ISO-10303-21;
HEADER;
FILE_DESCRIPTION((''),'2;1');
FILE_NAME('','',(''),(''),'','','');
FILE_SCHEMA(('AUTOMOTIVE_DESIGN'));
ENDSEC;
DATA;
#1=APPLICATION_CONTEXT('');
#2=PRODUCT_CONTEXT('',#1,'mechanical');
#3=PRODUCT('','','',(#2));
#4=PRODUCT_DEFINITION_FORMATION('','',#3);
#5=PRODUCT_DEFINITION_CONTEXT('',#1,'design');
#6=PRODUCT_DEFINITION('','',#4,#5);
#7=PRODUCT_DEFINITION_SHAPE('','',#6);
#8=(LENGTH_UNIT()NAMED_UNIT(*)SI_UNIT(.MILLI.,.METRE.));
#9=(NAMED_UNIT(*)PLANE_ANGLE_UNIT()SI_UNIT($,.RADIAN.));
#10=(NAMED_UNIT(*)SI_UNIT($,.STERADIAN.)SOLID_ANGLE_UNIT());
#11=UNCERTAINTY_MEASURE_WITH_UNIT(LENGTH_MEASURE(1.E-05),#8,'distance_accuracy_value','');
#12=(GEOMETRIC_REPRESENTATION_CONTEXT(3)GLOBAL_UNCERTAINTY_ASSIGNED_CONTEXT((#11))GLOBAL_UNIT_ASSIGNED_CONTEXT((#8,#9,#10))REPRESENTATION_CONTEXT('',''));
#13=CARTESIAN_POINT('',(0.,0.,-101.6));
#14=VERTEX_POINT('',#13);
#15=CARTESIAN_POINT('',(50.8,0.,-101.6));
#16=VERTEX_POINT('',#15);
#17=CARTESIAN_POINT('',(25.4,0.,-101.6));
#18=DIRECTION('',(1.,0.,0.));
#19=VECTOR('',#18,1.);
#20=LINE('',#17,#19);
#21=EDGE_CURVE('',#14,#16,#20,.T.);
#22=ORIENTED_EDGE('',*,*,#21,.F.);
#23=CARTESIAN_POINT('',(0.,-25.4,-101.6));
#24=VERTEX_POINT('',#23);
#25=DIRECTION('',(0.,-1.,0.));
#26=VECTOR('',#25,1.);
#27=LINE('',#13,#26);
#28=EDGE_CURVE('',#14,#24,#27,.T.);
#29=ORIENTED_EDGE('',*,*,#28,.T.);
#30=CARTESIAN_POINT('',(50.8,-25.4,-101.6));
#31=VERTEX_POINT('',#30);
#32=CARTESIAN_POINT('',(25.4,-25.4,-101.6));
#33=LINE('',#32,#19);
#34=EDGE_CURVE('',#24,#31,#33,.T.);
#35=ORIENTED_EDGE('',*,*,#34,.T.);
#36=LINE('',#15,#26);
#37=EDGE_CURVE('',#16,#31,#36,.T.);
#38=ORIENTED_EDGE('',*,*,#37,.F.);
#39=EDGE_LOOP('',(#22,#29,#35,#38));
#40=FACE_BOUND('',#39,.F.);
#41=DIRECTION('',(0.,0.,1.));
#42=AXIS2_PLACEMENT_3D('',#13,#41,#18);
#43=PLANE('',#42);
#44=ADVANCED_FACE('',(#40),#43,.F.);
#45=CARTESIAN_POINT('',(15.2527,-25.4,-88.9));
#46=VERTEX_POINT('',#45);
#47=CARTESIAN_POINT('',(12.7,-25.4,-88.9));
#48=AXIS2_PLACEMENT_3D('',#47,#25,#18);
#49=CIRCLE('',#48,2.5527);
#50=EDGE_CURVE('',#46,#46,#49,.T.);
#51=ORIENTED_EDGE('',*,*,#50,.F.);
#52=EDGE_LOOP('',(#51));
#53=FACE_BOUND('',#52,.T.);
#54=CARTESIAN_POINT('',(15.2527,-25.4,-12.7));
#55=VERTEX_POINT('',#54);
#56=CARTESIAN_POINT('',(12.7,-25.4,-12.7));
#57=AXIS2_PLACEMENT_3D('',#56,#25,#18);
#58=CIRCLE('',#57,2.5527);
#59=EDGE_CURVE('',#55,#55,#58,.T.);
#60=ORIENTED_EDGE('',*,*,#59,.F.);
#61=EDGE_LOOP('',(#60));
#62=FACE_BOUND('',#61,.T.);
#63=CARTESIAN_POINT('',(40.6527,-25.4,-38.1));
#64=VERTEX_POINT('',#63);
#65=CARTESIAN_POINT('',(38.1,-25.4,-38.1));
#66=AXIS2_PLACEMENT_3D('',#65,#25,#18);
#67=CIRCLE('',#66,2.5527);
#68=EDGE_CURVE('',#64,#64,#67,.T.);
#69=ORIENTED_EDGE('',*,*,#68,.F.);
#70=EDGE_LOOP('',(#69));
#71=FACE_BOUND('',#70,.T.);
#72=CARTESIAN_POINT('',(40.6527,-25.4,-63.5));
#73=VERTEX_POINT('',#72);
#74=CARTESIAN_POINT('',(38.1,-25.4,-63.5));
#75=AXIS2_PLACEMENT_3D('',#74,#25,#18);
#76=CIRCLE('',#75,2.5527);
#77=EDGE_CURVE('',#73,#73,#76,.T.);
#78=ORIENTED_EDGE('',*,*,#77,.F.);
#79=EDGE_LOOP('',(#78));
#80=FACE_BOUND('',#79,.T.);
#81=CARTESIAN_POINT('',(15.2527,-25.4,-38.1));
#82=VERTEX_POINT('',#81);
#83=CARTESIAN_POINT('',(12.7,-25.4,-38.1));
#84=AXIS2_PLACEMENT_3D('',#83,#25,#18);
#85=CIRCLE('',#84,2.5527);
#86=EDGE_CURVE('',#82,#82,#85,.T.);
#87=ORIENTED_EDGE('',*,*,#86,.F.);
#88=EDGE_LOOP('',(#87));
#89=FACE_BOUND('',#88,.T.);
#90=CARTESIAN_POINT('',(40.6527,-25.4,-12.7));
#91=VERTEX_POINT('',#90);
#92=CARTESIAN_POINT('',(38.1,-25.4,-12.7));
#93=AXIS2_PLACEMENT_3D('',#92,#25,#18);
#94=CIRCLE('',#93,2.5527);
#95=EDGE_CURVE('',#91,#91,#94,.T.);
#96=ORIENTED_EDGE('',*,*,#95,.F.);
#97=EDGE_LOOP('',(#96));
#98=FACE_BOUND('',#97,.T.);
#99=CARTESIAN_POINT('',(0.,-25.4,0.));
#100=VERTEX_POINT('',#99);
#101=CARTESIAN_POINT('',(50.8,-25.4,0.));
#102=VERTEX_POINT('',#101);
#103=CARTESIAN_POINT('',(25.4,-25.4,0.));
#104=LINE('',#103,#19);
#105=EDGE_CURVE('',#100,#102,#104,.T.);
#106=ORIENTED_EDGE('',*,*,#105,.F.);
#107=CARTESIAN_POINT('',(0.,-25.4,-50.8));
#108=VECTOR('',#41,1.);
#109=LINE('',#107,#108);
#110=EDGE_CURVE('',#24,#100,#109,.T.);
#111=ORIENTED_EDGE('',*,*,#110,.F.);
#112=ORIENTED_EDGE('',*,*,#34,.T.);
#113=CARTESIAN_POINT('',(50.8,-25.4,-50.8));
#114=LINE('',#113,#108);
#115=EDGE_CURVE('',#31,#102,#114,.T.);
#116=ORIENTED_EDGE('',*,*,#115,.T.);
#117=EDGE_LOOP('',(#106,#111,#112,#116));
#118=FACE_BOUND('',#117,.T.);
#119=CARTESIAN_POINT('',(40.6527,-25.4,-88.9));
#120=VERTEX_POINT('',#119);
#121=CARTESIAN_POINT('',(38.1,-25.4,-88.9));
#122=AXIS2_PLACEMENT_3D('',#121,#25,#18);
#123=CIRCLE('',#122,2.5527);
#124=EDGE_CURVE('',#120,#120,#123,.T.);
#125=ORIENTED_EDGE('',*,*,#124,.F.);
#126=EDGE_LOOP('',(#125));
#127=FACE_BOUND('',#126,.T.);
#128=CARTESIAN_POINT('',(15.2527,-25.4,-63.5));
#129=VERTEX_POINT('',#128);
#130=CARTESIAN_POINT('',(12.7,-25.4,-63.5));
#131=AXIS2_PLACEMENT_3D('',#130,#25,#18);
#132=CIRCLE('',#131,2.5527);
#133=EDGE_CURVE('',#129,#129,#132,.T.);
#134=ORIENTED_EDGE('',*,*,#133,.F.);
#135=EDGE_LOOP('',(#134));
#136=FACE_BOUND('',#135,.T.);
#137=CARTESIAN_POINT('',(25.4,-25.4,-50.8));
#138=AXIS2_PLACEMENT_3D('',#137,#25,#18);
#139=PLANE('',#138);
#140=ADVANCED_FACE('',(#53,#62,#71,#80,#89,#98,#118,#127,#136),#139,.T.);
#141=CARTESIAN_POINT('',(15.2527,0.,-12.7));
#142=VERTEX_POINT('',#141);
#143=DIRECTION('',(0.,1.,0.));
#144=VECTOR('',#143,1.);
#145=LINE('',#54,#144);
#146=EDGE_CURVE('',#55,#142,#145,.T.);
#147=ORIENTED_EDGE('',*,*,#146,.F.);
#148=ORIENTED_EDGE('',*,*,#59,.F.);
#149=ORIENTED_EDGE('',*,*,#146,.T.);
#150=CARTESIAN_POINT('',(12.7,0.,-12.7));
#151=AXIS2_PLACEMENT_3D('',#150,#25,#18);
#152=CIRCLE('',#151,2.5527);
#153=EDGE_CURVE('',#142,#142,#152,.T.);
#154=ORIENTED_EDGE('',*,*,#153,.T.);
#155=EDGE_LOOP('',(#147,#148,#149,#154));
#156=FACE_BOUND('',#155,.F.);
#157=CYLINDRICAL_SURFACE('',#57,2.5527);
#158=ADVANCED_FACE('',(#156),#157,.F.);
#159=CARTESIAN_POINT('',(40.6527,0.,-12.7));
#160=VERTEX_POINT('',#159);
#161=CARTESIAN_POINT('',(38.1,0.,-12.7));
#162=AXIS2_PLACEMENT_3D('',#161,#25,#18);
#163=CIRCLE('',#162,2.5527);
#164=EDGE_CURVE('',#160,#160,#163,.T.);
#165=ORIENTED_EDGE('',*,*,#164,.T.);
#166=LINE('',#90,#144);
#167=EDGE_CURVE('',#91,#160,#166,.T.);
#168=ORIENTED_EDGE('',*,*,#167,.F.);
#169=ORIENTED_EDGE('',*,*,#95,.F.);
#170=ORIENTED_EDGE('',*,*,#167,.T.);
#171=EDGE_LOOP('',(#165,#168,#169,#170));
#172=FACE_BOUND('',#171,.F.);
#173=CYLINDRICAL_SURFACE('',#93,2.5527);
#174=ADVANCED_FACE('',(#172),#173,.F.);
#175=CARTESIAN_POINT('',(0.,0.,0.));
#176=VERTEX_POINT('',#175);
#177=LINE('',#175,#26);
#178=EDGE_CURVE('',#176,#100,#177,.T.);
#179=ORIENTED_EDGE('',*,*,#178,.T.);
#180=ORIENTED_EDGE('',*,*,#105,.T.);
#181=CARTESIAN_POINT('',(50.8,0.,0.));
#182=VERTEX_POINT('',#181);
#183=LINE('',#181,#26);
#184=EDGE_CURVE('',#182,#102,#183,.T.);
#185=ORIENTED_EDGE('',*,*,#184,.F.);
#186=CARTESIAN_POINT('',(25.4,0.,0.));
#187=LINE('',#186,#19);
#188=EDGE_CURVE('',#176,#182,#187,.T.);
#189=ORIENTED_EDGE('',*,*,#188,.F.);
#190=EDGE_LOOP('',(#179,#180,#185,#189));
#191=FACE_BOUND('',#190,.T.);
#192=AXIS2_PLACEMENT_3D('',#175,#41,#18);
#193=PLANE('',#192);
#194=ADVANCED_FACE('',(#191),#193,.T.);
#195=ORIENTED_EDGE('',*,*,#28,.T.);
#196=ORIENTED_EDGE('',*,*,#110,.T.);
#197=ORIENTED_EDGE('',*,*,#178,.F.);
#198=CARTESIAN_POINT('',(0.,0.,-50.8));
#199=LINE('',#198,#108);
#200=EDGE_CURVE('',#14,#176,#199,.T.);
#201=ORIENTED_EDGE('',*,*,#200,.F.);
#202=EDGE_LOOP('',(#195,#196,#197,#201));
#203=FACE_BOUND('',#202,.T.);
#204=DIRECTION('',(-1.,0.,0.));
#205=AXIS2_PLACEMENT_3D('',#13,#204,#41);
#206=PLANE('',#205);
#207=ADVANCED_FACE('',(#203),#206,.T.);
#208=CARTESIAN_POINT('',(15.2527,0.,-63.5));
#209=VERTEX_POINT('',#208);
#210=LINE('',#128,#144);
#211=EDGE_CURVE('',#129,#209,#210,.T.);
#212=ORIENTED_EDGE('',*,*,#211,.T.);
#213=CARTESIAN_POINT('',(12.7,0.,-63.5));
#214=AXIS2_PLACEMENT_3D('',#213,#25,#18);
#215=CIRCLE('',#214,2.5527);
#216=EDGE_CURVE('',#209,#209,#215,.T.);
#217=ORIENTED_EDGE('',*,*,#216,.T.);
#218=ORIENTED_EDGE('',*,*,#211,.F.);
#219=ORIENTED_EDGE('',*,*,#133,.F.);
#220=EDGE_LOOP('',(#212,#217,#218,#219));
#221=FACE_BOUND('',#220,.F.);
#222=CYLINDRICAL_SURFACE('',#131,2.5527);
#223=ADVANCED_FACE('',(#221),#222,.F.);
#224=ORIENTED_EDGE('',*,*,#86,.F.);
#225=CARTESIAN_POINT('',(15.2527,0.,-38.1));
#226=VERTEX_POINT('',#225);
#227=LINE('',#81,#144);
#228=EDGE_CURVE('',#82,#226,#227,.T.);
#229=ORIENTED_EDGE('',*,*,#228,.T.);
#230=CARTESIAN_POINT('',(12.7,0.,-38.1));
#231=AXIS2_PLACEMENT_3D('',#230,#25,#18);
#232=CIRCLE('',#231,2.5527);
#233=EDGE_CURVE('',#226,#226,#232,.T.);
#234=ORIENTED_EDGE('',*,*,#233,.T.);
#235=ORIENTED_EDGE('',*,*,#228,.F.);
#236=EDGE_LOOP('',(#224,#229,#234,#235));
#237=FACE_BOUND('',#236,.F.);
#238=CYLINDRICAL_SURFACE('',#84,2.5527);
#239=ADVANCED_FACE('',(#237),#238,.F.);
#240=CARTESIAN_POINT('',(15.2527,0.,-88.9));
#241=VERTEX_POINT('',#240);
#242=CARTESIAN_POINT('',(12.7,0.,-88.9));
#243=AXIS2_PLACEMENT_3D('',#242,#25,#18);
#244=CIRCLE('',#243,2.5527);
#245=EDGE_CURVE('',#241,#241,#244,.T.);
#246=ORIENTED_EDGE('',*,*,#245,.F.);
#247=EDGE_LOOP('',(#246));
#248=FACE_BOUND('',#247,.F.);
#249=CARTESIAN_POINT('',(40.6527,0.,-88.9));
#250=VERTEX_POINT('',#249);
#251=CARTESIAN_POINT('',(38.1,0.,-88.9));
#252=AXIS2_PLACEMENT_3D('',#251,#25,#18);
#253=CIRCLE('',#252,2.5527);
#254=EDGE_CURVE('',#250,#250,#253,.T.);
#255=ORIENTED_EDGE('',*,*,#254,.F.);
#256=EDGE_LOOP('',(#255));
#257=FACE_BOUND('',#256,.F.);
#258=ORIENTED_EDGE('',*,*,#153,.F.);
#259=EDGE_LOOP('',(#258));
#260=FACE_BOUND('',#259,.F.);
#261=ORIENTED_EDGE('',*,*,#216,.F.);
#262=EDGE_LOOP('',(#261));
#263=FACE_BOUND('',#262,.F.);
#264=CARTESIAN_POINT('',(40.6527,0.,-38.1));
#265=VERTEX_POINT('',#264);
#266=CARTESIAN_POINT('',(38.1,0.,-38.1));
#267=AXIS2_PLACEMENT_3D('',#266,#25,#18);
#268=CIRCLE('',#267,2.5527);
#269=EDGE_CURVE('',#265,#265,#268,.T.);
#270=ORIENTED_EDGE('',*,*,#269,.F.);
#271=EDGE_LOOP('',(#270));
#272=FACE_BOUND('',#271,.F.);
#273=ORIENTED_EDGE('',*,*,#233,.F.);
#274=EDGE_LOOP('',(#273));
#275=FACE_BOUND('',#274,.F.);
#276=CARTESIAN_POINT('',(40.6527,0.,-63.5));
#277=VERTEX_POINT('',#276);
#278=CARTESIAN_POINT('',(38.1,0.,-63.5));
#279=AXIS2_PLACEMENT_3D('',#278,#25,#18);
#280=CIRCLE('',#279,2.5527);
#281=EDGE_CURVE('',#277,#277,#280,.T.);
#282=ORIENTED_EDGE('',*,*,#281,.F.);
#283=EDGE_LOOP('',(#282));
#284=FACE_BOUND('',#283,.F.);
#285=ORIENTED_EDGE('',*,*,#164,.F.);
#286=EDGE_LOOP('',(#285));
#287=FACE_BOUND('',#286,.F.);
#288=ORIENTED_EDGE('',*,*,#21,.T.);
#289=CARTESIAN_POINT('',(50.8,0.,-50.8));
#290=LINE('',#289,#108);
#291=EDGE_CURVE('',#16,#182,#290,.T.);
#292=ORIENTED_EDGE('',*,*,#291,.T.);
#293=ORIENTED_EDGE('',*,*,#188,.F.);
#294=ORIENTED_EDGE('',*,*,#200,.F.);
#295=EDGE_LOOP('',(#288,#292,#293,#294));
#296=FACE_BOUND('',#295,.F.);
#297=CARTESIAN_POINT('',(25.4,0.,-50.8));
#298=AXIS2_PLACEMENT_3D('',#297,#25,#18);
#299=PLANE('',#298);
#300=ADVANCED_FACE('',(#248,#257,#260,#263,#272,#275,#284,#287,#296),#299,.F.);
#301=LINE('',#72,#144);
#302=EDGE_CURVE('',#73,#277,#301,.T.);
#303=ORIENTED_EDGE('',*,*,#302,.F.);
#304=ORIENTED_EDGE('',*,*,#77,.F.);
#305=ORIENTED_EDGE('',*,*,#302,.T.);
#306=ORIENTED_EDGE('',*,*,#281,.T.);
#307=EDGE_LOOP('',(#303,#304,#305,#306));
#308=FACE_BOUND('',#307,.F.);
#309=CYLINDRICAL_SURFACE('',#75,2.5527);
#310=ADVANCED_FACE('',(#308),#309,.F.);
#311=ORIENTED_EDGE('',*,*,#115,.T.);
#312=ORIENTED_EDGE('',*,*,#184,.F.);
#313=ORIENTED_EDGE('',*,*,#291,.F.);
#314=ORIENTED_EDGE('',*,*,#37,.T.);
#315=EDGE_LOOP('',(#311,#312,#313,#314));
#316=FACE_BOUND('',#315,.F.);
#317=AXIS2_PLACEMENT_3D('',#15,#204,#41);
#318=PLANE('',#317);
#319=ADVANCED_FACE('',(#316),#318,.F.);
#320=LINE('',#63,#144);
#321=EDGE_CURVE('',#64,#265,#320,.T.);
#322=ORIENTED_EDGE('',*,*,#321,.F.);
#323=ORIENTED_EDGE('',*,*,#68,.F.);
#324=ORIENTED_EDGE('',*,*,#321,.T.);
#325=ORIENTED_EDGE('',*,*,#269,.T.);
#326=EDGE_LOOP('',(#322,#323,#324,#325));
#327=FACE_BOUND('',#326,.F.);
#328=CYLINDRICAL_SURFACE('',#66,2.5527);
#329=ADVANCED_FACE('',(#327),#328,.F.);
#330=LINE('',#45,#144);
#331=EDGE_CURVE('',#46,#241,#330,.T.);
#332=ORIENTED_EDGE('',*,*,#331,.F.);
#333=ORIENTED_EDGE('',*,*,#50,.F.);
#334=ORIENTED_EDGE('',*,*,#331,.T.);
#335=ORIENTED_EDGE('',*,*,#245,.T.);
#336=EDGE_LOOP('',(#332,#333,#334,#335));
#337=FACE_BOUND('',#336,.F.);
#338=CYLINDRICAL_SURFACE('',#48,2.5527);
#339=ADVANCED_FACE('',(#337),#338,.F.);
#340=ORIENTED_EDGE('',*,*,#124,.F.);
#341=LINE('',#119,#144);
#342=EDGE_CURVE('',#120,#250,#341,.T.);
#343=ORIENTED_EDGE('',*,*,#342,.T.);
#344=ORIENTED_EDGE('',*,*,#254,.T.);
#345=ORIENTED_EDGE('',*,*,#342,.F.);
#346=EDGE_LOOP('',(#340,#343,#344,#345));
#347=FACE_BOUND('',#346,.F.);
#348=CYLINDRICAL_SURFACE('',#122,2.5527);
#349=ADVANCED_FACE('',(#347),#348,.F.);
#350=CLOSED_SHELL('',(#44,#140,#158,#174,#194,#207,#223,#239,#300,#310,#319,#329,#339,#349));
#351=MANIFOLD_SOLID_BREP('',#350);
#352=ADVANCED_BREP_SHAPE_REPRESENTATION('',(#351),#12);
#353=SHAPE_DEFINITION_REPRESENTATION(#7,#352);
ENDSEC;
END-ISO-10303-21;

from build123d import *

# Parameters (mm, degrees)
F0_W     = 50.8
F0_H     = 101.6
F1_DEPTH = 25.4
F2_R     = 2.5527
F3_DEPTH = 25.4


with BuildPart() as f1:
    # F0 (on Front) → F1 (new body)
    with BuildSketch(Plane.XZ):
        with Locations((25.4, -50.8)):
            Rectangle(F0_W, F0_H)
    extrude(amount=F1_DEPTH)

    # F2 (on face) → F3 (cut)
    with BuildSketch(Plane.XZ.offset(25.4)):
        with Locations((12.7, -12.7)):
            Circle(F2_R)
        with Locations((12.7, -38.1)):
            Circle(F2_R)
        with Locations((12.7, -63.5)):
            Circle(F2_R)
        with Locations((12.7, -88.9)):
            Circle(F2_R)
        with Locations((38.1, -12.7)):
            Circle(F2_R)
        with Locations((38.1, -38.1)):
            Circle(F2_R)
        with Locations((38.1, -63.5)):
            Circle(F2_R)
        with Locations((38.1, -88.9)):
            Circle(F2_R)
        with Locations((63.5, -12.7)):
            Circle(F2_R)
        with Locations((63.5, -38.1)):
            Circle(F2_R)
        with Locations((63.5, -63.5)):
            Circle(F2_R)
        with Locations((63.5, -88.9)):
            Circle(F2_R)
    extrude(amount=-F3_DEPTH, mode=Mode.SUBTRACT)


solid = f1.part
